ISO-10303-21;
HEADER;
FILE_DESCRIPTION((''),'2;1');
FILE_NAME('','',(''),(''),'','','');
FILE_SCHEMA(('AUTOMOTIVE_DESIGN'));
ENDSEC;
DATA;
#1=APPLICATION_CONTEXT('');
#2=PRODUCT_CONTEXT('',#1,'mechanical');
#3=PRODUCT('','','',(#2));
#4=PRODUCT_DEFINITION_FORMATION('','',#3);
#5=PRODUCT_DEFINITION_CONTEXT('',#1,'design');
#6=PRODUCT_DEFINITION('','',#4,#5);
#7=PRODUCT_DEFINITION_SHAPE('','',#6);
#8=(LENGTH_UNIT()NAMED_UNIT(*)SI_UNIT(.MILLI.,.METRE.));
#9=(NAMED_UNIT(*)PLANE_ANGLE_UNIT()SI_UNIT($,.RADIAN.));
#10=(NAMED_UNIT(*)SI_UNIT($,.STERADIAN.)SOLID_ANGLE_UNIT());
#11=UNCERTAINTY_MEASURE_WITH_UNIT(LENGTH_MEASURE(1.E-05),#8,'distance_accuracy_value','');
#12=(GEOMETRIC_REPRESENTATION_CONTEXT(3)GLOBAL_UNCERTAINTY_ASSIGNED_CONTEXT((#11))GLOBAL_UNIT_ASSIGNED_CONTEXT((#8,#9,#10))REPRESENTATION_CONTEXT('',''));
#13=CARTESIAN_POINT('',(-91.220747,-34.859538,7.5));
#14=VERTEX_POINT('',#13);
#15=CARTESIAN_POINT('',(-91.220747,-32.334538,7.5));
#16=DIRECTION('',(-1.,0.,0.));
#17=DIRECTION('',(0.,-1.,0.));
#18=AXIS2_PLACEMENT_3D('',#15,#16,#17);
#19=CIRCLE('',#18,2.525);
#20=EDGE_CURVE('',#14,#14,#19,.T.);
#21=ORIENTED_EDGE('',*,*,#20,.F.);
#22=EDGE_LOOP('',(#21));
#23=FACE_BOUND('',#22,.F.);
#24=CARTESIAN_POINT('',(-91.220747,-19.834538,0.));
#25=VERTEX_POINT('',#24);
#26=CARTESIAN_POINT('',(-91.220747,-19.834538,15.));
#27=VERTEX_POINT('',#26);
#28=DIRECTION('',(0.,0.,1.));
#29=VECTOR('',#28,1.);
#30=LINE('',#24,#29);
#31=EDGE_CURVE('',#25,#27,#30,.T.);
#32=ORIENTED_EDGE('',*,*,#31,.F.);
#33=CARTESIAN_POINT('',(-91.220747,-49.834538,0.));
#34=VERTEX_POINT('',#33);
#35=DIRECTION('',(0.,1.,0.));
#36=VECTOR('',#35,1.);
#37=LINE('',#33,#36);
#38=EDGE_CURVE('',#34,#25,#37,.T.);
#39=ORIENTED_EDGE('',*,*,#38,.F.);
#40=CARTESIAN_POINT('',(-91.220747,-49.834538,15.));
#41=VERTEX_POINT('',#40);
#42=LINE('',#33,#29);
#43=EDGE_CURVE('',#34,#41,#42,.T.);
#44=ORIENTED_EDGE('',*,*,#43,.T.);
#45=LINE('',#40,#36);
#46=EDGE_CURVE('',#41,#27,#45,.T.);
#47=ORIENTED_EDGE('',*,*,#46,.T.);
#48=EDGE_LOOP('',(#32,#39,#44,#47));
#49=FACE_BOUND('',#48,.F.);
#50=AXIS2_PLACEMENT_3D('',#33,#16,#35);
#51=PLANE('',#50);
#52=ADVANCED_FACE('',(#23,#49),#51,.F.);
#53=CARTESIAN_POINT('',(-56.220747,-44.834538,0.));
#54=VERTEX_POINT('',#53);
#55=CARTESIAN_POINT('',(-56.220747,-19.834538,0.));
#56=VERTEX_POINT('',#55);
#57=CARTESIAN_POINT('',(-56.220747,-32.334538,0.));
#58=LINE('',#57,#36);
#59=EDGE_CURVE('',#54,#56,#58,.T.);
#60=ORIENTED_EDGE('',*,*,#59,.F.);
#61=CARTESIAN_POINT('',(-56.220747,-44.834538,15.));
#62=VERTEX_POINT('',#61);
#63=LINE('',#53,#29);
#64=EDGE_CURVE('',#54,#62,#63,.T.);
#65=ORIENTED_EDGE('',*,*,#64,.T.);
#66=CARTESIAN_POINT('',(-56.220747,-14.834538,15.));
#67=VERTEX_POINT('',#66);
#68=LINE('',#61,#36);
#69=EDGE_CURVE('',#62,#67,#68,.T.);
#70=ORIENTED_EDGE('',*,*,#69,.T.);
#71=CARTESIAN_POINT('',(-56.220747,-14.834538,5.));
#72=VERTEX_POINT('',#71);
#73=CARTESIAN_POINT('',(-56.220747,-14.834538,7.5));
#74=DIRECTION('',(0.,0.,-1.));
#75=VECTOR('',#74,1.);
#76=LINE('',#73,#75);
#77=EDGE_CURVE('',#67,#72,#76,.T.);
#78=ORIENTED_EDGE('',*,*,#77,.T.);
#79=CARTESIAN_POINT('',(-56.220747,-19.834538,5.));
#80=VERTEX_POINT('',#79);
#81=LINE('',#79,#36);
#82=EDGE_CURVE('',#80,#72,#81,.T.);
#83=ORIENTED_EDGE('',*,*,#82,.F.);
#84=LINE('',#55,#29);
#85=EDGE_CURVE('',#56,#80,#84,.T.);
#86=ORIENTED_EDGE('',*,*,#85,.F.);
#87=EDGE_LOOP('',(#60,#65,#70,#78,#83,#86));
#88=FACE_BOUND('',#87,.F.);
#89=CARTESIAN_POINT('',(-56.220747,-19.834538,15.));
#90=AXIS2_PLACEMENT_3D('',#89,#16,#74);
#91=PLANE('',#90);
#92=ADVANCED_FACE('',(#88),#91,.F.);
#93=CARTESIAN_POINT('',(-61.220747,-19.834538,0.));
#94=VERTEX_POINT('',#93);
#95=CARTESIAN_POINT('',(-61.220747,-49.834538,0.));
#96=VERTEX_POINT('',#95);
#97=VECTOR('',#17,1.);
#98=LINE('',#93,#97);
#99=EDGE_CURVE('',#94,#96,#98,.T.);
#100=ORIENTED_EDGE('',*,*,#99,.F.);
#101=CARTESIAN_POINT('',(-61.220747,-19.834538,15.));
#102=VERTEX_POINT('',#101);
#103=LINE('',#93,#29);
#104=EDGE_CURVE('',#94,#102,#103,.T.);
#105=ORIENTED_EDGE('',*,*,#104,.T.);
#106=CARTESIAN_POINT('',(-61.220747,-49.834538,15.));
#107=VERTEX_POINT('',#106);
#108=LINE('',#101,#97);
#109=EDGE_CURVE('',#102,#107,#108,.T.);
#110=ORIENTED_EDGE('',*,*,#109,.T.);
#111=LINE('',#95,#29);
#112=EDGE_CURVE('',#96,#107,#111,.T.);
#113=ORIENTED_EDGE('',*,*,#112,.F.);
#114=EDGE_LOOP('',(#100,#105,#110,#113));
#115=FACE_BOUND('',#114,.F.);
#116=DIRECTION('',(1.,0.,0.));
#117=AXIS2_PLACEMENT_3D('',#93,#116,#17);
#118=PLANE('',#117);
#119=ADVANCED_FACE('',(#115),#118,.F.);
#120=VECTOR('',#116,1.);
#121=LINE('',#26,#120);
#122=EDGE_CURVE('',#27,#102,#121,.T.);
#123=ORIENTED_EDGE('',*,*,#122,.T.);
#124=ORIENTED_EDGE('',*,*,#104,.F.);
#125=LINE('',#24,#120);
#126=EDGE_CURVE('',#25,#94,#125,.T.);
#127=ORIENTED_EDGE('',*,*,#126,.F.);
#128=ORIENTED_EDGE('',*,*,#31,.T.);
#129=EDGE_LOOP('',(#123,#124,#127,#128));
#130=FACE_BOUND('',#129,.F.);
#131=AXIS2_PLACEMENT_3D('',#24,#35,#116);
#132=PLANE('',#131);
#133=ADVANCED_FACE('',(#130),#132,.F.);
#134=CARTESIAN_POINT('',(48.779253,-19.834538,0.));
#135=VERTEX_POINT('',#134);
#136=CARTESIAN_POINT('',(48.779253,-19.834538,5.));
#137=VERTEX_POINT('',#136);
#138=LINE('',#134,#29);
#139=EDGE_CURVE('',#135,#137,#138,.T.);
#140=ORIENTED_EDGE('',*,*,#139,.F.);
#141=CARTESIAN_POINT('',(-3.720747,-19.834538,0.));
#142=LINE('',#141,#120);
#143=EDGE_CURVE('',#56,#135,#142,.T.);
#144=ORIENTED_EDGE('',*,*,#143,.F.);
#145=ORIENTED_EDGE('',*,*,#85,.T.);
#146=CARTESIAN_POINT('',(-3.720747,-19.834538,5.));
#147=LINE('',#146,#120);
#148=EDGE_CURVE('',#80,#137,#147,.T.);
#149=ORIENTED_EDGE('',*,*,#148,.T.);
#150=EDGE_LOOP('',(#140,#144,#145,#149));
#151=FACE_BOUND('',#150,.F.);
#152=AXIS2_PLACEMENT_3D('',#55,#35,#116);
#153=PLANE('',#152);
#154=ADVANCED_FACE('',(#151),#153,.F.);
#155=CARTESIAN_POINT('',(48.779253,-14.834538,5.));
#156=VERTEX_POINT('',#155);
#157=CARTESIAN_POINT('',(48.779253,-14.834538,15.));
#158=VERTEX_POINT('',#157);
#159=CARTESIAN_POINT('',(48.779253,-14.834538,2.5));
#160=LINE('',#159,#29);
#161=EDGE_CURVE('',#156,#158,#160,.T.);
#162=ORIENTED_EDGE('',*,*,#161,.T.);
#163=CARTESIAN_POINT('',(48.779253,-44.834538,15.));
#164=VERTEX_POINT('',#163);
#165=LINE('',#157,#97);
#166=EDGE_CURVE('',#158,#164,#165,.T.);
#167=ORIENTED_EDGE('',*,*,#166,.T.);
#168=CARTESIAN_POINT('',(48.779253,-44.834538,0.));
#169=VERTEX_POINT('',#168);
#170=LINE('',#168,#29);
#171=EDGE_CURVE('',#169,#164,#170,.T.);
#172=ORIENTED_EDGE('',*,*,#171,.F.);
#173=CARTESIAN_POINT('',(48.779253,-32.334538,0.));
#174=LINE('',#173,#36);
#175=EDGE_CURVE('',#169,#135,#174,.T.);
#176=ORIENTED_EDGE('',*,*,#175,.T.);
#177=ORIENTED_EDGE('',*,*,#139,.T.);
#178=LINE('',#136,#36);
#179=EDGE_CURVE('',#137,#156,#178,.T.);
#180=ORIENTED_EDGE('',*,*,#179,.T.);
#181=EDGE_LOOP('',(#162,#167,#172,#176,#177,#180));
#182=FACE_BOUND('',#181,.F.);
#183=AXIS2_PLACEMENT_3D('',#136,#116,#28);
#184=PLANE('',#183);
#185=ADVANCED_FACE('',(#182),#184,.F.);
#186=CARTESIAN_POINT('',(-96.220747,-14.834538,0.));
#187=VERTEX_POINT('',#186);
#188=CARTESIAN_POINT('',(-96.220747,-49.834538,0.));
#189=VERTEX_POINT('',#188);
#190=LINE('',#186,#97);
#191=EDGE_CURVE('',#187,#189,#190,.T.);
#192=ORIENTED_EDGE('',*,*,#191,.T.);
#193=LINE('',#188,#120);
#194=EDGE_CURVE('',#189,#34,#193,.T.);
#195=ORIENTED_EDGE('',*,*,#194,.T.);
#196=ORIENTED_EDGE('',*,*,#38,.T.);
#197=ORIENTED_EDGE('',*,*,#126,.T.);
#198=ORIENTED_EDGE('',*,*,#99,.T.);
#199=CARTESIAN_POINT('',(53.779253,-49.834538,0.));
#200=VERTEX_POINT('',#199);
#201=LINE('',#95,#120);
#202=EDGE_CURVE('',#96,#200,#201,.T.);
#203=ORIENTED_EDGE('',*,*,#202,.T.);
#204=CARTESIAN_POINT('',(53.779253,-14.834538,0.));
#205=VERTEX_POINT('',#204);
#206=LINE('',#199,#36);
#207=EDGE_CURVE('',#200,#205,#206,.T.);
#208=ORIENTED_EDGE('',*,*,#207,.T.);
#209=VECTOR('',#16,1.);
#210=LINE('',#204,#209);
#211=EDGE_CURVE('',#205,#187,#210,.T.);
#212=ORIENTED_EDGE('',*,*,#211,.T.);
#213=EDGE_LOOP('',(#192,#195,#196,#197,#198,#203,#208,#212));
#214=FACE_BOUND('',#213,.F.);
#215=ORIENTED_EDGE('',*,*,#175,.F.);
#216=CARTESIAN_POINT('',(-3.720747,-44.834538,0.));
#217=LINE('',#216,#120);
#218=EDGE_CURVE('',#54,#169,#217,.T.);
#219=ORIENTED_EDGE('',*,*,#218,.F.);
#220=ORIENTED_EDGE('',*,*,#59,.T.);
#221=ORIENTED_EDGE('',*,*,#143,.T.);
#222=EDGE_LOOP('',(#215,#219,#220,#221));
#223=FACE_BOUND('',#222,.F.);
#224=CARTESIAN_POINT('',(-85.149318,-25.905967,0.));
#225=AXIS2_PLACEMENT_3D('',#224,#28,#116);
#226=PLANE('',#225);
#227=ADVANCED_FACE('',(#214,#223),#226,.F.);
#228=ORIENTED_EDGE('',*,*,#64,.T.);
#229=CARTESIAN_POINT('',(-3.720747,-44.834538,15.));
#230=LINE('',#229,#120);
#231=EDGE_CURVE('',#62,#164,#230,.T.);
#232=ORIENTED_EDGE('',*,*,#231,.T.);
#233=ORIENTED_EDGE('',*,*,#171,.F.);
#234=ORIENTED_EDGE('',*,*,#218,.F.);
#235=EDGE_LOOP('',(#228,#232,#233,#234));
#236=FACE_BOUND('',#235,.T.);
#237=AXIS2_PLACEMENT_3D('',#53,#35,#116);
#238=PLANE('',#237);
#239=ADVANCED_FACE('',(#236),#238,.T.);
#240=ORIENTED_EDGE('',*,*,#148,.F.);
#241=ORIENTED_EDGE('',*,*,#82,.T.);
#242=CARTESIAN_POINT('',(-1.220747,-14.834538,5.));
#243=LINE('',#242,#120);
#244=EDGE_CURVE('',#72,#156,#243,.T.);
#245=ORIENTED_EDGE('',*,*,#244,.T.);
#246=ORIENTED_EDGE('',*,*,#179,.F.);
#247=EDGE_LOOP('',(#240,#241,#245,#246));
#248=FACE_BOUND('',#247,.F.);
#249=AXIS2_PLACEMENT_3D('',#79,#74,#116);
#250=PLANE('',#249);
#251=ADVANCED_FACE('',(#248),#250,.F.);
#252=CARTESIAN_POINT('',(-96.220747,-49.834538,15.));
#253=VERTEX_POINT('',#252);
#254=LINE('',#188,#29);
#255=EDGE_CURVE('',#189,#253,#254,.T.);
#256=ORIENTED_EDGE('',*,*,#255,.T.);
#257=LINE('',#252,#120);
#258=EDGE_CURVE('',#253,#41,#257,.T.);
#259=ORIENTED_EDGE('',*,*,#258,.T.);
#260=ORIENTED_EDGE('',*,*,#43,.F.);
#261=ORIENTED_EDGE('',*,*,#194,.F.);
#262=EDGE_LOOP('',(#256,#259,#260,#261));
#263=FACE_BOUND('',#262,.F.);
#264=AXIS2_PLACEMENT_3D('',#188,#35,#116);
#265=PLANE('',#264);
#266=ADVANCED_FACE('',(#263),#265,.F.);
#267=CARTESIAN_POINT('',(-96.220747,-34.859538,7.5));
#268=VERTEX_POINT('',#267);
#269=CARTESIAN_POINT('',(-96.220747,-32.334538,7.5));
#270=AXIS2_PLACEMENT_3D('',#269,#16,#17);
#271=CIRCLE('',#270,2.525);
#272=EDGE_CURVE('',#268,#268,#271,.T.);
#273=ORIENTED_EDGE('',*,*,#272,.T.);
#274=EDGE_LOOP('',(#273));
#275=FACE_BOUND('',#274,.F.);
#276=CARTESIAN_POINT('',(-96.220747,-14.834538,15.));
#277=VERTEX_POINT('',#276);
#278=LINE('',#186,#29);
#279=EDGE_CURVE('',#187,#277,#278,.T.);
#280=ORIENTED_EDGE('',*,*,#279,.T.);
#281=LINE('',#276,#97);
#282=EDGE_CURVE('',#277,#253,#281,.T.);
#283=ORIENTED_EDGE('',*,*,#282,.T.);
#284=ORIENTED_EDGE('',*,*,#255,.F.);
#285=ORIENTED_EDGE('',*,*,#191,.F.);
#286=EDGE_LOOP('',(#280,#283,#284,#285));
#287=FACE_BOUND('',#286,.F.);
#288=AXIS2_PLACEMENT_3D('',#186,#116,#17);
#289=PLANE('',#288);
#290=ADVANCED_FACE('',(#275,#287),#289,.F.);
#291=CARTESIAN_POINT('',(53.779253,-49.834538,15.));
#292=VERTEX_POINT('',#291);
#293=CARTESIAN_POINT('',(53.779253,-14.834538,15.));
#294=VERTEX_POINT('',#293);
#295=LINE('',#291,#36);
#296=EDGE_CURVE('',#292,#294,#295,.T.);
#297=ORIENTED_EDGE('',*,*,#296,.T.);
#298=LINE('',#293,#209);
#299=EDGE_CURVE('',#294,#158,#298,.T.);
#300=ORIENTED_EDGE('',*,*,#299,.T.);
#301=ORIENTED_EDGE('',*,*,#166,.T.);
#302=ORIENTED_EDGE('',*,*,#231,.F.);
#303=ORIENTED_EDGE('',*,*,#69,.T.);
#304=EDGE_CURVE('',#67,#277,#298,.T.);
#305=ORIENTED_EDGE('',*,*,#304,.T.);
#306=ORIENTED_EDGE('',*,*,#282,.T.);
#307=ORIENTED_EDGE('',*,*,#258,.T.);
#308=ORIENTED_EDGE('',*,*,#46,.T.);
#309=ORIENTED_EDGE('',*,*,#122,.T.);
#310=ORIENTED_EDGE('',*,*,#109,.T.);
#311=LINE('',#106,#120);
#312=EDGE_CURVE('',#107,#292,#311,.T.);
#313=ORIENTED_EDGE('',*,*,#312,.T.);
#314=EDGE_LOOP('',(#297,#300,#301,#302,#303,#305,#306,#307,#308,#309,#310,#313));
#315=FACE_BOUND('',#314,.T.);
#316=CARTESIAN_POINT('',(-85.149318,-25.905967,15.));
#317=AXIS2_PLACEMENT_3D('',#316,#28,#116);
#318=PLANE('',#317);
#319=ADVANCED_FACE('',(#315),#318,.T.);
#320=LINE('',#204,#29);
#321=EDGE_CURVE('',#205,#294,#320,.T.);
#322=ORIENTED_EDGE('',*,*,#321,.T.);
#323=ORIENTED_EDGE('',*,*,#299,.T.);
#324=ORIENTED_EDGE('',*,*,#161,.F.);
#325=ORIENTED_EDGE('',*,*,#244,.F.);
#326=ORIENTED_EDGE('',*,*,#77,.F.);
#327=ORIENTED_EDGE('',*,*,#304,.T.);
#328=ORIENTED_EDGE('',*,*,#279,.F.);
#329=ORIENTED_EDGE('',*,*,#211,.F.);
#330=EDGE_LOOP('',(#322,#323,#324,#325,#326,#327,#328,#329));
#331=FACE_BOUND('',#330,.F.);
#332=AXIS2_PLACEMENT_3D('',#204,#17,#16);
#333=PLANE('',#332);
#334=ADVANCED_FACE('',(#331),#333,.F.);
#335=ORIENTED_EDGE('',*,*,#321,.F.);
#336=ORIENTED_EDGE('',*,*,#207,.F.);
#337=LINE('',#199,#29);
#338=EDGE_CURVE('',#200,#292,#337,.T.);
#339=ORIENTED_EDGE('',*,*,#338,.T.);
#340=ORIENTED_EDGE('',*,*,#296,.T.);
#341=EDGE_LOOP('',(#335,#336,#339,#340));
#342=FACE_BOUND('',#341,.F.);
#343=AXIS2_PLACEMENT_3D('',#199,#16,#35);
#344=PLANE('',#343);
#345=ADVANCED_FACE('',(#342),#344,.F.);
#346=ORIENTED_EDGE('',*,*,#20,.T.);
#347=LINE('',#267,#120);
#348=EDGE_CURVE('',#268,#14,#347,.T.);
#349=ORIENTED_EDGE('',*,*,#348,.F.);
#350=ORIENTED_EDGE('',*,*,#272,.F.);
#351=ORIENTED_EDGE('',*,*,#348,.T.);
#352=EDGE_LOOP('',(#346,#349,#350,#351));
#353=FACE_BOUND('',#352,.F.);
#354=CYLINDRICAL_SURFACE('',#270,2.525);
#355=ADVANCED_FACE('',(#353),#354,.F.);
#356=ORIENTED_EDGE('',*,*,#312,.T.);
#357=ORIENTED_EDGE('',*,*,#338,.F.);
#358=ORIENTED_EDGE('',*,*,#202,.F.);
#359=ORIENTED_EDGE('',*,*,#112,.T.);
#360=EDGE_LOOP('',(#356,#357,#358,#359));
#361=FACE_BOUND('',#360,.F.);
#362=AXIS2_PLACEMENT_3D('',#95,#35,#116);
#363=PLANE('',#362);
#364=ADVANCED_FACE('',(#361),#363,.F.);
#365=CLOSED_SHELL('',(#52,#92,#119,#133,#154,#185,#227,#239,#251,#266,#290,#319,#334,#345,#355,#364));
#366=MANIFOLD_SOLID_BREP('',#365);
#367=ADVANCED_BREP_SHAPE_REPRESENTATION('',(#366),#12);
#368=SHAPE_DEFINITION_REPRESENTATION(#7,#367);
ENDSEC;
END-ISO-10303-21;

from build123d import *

# Parameters (mm, degrees)
F0_W     = 105
F0_H     = 25
F1_DEPTH = 15
F2_R     = 2.525
F3_DEPTH = 25
F4_W     = 105
F4_H     = 5
F5_DEPTH = 25


with BuildPart() as f1:
    # F0 (on Top) → F1 (new body)
    with BuildSketch(Plane.XY):
        Polygon((-61.220747, -19.834538), (-61.220747, -14.834538), (-96.220747, -14.834538), (-96.220747, -49.834538), (-91.220747, -49.834538), (-91.220747, -19.834538), align=None)
        Polygon((53.779253, -14.834538), (-61.220747, -14.834538), (-61.220747, -19.834538), (-61.220747, -49.834538), (53.779253, -49.834538), align=None)
        with Locations((-3.720747, -32.334538)):
            Rectangle(F0_W, F0_H, mode=Mode.SUBTRACT)
    extrude(amount=F1_DEPTH)

    # F2 (on face) → F3 (cut)
    with BuildSketch(Plane(origin=(-96.220747, 0, 0), x_dir=(0, -1, 0), z_dir=(-1, 0, 0))):
        with Locations((32.334538, 7.5)):
            Circle(F2_R)
    extrude(amount=-F3_DEPTH, mode=Mode.SUBTRACT)

    # F4 (on face) → F5 (cut)
    with BuildSketch(Plane.XZ.offset(19.834538)):
        with Locations((-3.720747, 12.5)):
            Rectangle(F4_W, F4_H)
        with Locations((-3.720747, 7.5)):
            Rectangle(F4_W, F4_H)
    extrude(amount=-F5_DEPTH, mode=Mode.SUBTRACT)


solid = f1.part
